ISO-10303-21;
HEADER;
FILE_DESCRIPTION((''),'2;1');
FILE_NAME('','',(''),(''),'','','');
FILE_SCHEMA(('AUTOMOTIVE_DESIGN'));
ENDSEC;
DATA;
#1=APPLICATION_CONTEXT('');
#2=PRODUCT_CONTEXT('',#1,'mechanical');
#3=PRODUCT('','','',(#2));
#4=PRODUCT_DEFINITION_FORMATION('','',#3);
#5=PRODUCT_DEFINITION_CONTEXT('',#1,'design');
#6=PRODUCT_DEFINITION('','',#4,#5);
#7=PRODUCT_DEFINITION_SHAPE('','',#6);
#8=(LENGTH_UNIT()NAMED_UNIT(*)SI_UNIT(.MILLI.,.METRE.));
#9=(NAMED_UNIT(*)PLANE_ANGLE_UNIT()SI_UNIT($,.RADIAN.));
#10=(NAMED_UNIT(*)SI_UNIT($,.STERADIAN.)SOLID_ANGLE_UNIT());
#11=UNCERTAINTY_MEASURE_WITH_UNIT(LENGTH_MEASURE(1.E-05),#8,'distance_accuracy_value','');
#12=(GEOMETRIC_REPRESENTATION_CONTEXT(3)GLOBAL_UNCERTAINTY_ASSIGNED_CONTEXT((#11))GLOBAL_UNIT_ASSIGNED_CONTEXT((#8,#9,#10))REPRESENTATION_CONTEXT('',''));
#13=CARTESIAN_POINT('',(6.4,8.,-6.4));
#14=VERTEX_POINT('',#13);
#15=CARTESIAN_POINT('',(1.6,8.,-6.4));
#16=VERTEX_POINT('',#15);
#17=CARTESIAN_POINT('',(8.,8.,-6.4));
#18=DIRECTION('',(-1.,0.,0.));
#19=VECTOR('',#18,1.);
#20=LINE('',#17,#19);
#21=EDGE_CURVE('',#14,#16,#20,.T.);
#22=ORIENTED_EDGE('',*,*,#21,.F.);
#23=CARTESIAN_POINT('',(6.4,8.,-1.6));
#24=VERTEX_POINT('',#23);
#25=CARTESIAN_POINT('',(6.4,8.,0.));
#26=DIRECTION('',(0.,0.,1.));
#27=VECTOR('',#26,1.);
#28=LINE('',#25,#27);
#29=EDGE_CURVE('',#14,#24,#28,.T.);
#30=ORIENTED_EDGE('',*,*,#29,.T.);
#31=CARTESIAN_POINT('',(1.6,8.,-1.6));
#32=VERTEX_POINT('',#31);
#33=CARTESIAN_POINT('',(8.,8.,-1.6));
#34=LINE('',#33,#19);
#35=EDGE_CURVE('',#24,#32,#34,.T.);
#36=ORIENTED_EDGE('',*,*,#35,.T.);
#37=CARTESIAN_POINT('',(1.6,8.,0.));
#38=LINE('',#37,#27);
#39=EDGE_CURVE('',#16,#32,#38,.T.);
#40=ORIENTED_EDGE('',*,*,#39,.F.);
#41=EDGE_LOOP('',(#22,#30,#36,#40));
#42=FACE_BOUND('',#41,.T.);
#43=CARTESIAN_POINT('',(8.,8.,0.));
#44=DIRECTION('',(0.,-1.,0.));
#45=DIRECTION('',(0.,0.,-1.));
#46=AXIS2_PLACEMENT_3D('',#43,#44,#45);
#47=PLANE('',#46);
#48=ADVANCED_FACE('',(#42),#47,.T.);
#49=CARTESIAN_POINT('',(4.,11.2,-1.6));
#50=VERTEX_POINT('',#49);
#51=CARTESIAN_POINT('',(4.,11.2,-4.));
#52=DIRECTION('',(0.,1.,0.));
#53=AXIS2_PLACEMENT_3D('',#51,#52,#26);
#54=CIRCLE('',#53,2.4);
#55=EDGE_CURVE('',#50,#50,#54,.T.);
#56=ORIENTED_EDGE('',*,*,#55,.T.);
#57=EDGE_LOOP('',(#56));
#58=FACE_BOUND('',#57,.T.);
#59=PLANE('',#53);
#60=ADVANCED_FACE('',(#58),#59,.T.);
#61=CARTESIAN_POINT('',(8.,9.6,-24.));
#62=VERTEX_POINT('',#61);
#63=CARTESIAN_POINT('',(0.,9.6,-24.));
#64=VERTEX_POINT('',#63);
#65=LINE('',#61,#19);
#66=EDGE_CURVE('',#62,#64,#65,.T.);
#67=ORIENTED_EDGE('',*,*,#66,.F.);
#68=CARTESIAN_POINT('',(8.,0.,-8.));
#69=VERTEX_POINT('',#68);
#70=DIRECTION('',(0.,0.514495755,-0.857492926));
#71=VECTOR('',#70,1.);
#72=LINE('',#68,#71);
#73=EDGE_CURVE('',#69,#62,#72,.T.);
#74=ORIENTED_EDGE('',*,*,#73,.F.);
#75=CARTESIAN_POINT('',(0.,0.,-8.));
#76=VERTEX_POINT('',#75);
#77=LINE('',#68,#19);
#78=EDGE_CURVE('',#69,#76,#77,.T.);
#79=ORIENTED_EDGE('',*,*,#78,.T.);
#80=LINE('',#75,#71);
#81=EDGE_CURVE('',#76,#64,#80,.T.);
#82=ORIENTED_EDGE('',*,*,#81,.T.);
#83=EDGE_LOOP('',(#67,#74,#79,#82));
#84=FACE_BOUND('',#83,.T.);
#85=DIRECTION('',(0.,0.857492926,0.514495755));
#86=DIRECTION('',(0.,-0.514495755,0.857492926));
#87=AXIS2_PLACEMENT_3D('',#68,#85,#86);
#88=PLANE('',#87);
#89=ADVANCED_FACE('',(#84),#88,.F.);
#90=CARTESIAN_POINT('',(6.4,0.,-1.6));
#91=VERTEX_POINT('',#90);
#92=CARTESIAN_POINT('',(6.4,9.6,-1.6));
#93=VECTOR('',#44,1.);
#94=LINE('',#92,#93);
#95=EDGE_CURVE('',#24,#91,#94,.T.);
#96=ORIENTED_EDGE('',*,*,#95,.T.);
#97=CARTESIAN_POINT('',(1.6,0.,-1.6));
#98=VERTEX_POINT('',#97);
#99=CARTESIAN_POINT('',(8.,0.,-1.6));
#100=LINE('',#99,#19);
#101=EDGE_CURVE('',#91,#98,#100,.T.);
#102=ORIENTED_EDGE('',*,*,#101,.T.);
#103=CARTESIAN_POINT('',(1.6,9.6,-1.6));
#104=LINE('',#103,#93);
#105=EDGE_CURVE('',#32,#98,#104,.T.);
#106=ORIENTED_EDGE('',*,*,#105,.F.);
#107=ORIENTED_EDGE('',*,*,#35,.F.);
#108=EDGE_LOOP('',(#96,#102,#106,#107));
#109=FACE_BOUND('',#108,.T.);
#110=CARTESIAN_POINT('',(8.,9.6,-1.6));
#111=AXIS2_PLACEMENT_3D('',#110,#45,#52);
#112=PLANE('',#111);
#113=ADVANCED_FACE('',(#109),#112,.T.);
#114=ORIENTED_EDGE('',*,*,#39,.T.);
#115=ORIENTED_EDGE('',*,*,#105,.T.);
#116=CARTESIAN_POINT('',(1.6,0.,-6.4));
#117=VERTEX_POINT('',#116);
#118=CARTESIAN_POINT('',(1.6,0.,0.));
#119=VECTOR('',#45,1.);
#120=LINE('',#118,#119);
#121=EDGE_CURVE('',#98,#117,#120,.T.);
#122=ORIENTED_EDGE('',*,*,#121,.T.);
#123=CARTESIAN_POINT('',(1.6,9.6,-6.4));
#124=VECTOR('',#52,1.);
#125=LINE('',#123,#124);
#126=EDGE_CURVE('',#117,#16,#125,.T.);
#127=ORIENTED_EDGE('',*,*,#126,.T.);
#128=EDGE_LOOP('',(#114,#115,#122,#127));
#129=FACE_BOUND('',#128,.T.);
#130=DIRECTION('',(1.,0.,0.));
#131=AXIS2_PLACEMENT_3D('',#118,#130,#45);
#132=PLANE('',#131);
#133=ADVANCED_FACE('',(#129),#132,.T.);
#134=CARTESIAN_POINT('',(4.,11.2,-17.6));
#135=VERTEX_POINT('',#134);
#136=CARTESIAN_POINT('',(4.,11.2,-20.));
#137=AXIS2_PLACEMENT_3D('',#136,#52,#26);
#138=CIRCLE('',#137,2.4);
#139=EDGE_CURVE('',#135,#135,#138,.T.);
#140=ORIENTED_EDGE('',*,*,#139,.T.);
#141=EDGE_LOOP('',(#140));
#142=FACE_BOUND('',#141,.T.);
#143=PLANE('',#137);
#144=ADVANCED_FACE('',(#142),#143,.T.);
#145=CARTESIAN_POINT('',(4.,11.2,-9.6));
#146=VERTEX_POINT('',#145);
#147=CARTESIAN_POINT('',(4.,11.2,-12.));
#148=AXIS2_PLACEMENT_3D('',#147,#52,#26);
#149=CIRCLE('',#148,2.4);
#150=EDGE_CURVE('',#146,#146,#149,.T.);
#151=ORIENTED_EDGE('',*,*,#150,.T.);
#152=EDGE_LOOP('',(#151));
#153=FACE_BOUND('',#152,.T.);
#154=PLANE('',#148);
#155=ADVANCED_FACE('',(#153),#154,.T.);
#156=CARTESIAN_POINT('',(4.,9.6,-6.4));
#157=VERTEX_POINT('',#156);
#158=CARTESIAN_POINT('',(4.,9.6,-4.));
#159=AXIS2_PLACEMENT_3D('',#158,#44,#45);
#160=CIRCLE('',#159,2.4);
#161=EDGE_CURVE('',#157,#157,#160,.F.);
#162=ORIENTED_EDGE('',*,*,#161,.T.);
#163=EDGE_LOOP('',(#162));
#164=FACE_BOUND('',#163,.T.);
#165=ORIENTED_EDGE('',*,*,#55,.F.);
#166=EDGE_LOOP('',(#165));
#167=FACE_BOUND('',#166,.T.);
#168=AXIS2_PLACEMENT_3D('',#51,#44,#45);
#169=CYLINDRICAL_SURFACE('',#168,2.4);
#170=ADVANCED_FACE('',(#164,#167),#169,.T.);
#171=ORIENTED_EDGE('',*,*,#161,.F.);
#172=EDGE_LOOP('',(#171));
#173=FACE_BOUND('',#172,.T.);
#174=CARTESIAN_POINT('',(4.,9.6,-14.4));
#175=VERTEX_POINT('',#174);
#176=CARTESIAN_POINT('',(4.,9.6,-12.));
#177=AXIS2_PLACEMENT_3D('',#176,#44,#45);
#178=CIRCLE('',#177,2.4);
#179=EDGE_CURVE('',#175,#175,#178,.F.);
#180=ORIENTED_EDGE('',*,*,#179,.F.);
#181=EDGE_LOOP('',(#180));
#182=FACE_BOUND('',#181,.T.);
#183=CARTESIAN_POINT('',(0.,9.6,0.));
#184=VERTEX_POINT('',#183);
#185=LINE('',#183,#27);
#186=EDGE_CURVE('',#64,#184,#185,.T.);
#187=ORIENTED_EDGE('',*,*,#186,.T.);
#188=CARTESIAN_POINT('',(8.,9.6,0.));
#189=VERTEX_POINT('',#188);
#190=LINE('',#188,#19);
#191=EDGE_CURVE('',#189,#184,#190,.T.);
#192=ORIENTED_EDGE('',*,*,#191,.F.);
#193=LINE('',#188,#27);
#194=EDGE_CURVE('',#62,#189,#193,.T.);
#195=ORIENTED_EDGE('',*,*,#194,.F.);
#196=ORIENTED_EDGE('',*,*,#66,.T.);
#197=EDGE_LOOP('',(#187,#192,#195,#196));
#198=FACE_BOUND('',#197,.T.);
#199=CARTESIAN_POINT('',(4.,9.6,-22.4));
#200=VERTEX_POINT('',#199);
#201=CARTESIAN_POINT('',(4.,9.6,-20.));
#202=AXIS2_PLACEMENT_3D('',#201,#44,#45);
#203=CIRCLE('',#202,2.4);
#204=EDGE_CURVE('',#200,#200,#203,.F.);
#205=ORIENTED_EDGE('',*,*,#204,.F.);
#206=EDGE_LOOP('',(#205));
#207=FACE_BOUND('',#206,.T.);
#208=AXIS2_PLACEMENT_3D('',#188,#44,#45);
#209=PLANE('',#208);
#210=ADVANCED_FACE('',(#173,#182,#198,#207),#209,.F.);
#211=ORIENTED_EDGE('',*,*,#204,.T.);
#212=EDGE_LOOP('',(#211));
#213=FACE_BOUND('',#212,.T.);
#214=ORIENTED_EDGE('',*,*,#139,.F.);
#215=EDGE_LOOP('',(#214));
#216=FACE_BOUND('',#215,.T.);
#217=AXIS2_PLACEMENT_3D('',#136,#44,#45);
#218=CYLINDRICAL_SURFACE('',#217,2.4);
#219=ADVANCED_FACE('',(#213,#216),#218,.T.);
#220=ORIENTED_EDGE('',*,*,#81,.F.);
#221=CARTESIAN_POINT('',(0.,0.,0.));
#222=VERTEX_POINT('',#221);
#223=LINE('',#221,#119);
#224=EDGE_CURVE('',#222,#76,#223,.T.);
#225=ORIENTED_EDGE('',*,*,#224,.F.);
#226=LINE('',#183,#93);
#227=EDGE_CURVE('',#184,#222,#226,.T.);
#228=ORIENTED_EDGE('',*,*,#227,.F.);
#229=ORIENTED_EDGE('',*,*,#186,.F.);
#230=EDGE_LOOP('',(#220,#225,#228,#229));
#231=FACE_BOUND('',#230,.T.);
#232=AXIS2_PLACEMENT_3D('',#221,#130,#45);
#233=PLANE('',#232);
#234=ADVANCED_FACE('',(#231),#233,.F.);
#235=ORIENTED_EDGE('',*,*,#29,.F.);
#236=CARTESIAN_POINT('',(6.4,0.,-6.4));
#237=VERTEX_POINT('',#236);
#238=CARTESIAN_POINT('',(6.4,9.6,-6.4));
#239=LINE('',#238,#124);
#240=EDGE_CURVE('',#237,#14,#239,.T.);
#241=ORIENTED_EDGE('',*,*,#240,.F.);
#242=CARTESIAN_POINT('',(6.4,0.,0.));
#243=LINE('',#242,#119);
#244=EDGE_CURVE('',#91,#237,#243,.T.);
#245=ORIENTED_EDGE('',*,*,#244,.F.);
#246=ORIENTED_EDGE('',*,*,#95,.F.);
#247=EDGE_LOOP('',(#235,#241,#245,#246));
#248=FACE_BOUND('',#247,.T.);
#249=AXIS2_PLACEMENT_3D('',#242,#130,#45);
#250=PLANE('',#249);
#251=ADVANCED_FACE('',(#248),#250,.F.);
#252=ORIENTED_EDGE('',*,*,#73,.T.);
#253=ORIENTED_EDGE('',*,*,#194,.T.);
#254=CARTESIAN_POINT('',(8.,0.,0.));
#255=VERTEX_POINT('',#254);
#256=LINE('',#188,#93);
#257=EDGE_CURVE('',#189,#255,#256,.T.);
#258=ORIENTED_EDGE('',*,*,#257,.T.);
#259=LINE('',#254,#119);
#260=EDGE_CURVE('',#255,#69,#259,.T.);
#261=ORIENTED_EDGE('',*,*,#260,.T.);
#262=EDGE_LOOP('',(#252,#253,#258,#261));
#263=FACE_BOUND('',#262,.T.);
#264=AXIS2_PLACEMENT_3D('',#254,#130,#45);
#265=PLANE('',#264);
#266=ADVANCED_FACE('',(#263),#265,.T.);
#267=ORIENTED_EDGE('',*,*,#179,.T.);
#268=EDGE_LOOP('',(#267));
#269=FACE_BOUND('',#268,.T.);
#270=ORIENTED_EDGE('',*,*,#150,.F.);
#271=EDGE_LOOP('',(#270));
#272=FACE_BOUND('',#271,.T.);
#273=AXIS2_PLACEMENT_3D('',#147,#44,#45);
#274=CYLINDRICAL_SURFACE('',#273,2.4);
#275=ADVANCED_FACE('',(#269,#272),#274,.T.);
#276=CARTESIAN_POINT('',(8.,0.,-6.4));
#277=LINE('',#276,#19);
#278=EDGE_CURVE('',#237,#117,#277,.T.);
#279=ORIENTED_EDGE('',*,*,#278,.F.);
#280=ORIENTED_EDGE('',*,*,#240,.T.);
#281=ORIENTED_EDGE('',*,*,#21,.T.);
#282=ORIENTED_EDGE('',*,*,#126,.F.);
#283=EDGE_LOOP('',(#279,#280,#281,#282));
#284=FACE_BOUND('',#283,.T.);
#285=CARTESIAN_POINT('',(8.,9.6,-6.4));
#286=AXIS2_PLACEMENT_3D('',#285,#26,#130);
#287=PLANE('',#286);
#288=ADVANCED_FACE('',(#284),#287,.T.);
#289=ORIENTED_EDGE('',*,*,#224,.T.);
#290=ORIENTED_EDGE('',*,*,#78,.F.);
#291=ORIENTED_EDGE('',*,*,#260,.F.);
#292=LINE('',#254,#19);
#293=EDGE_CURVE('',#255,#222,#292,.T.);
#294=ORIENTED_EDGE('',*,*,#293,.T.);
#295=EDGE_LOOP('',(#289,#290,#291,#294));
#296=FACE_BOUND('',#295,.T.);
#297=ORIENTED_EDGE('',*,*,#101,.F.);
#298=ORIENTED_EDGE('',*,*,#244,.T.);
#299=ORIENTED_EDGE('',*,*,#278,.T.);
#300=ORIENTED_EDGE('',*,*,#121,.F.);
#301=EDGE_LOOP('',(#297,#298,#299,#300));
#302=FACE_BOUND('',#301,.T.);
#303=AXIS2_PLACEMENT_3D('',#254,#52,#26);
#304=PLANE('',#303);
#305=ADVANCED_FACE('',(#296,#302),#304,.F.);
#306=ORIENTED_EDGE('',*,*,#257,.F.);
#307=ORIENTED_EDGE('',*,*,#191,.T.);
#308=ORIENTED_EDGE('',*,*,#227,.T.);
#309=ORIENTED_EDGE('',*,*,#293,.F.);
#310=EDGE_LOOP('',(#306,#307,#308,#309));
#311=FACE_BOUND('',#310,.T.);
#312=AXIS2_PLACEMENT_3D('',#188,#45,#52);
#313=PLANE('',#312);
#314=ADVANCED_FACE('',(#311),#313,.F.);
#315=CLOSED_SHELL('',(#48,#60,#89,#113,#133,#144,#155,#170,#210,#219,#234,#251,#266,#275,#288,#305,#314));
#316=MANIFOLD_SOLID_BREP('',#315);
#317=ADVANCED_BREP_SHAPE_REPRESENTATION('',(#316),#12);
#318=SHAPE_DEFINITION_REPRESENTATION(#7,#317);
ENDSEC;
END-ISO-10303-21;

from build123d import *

# Parameters (mm, degrees)
SKETCH1_W           = 8
SKETCH1_H           = 9.6
BOSS_EXTRUDE1_DEPTH = 8
SHELL2_T            = -1.6
BOSS_EXTRUDE3_DEPTH = 8
SKETCH4_R           = 2.4
BOSS_EXTRUDE4_DEPTH = 1.6
LPATTERN2_COUNT     = 3
LPATTERN2_PITCH     = 8


with BuildPart() as part:
    # Sketch1 → Boss-Extrude1 (new body)
    with BuildSketch(Plane(origin=(0, 0, 0), x_dir=(0, 0, -1), z_dir=(1, 0, 0))):
        with Locations((4, 4.8)):
            Rectangle(SKETCH1_W, SKETCH1_H)
    extrude(amount=BOSS_EXTRUDE1_DEPTH)

    # Shell2
    shell2_openings = [part.faces().sort_by_distance(p)[0] for p in [
        (4, 0, -4),
    ]]
    offset(amount=SHELL2_T, openings=shell2_openings, kind=Kind.INTERSECTION)

    # Sketch3 → Boss-Extrude3 (add)
    with BuildSketch(Plane(origin=(0, 0, 0), x_dir=(0, 0, -1), z_dir=(1, 0, 0))):
        Polygon((8, 0), (24, 9.6), (8, 9.6), align=None)
    extrude(amount=BOSS_EXTRUDE3_DEPTH)

    # Sketch4 → Boss-Extrude4 (add)
    with BuildSketch(Plane(origin=(0, 9.6, 0), x_dir=(1, 0, 0), z_dir=(0, 1, 0))):
        with Locations(Location((4, 4, 0), (0, 0, 90))):
            Circle(SKETCH4_R)
    boss_extrude4 = extrude(amount=BOSS_EXTRUDE4_DEPTH)

    # LPattern2: Boss-Extrude4 ×3
    with Locations(*[(0, 0, -i * LPATTERN2_PITCH) for i in range(1, LPATTERN2_COUNT)]):
        add(boss_extrude4)


solid = part.part
